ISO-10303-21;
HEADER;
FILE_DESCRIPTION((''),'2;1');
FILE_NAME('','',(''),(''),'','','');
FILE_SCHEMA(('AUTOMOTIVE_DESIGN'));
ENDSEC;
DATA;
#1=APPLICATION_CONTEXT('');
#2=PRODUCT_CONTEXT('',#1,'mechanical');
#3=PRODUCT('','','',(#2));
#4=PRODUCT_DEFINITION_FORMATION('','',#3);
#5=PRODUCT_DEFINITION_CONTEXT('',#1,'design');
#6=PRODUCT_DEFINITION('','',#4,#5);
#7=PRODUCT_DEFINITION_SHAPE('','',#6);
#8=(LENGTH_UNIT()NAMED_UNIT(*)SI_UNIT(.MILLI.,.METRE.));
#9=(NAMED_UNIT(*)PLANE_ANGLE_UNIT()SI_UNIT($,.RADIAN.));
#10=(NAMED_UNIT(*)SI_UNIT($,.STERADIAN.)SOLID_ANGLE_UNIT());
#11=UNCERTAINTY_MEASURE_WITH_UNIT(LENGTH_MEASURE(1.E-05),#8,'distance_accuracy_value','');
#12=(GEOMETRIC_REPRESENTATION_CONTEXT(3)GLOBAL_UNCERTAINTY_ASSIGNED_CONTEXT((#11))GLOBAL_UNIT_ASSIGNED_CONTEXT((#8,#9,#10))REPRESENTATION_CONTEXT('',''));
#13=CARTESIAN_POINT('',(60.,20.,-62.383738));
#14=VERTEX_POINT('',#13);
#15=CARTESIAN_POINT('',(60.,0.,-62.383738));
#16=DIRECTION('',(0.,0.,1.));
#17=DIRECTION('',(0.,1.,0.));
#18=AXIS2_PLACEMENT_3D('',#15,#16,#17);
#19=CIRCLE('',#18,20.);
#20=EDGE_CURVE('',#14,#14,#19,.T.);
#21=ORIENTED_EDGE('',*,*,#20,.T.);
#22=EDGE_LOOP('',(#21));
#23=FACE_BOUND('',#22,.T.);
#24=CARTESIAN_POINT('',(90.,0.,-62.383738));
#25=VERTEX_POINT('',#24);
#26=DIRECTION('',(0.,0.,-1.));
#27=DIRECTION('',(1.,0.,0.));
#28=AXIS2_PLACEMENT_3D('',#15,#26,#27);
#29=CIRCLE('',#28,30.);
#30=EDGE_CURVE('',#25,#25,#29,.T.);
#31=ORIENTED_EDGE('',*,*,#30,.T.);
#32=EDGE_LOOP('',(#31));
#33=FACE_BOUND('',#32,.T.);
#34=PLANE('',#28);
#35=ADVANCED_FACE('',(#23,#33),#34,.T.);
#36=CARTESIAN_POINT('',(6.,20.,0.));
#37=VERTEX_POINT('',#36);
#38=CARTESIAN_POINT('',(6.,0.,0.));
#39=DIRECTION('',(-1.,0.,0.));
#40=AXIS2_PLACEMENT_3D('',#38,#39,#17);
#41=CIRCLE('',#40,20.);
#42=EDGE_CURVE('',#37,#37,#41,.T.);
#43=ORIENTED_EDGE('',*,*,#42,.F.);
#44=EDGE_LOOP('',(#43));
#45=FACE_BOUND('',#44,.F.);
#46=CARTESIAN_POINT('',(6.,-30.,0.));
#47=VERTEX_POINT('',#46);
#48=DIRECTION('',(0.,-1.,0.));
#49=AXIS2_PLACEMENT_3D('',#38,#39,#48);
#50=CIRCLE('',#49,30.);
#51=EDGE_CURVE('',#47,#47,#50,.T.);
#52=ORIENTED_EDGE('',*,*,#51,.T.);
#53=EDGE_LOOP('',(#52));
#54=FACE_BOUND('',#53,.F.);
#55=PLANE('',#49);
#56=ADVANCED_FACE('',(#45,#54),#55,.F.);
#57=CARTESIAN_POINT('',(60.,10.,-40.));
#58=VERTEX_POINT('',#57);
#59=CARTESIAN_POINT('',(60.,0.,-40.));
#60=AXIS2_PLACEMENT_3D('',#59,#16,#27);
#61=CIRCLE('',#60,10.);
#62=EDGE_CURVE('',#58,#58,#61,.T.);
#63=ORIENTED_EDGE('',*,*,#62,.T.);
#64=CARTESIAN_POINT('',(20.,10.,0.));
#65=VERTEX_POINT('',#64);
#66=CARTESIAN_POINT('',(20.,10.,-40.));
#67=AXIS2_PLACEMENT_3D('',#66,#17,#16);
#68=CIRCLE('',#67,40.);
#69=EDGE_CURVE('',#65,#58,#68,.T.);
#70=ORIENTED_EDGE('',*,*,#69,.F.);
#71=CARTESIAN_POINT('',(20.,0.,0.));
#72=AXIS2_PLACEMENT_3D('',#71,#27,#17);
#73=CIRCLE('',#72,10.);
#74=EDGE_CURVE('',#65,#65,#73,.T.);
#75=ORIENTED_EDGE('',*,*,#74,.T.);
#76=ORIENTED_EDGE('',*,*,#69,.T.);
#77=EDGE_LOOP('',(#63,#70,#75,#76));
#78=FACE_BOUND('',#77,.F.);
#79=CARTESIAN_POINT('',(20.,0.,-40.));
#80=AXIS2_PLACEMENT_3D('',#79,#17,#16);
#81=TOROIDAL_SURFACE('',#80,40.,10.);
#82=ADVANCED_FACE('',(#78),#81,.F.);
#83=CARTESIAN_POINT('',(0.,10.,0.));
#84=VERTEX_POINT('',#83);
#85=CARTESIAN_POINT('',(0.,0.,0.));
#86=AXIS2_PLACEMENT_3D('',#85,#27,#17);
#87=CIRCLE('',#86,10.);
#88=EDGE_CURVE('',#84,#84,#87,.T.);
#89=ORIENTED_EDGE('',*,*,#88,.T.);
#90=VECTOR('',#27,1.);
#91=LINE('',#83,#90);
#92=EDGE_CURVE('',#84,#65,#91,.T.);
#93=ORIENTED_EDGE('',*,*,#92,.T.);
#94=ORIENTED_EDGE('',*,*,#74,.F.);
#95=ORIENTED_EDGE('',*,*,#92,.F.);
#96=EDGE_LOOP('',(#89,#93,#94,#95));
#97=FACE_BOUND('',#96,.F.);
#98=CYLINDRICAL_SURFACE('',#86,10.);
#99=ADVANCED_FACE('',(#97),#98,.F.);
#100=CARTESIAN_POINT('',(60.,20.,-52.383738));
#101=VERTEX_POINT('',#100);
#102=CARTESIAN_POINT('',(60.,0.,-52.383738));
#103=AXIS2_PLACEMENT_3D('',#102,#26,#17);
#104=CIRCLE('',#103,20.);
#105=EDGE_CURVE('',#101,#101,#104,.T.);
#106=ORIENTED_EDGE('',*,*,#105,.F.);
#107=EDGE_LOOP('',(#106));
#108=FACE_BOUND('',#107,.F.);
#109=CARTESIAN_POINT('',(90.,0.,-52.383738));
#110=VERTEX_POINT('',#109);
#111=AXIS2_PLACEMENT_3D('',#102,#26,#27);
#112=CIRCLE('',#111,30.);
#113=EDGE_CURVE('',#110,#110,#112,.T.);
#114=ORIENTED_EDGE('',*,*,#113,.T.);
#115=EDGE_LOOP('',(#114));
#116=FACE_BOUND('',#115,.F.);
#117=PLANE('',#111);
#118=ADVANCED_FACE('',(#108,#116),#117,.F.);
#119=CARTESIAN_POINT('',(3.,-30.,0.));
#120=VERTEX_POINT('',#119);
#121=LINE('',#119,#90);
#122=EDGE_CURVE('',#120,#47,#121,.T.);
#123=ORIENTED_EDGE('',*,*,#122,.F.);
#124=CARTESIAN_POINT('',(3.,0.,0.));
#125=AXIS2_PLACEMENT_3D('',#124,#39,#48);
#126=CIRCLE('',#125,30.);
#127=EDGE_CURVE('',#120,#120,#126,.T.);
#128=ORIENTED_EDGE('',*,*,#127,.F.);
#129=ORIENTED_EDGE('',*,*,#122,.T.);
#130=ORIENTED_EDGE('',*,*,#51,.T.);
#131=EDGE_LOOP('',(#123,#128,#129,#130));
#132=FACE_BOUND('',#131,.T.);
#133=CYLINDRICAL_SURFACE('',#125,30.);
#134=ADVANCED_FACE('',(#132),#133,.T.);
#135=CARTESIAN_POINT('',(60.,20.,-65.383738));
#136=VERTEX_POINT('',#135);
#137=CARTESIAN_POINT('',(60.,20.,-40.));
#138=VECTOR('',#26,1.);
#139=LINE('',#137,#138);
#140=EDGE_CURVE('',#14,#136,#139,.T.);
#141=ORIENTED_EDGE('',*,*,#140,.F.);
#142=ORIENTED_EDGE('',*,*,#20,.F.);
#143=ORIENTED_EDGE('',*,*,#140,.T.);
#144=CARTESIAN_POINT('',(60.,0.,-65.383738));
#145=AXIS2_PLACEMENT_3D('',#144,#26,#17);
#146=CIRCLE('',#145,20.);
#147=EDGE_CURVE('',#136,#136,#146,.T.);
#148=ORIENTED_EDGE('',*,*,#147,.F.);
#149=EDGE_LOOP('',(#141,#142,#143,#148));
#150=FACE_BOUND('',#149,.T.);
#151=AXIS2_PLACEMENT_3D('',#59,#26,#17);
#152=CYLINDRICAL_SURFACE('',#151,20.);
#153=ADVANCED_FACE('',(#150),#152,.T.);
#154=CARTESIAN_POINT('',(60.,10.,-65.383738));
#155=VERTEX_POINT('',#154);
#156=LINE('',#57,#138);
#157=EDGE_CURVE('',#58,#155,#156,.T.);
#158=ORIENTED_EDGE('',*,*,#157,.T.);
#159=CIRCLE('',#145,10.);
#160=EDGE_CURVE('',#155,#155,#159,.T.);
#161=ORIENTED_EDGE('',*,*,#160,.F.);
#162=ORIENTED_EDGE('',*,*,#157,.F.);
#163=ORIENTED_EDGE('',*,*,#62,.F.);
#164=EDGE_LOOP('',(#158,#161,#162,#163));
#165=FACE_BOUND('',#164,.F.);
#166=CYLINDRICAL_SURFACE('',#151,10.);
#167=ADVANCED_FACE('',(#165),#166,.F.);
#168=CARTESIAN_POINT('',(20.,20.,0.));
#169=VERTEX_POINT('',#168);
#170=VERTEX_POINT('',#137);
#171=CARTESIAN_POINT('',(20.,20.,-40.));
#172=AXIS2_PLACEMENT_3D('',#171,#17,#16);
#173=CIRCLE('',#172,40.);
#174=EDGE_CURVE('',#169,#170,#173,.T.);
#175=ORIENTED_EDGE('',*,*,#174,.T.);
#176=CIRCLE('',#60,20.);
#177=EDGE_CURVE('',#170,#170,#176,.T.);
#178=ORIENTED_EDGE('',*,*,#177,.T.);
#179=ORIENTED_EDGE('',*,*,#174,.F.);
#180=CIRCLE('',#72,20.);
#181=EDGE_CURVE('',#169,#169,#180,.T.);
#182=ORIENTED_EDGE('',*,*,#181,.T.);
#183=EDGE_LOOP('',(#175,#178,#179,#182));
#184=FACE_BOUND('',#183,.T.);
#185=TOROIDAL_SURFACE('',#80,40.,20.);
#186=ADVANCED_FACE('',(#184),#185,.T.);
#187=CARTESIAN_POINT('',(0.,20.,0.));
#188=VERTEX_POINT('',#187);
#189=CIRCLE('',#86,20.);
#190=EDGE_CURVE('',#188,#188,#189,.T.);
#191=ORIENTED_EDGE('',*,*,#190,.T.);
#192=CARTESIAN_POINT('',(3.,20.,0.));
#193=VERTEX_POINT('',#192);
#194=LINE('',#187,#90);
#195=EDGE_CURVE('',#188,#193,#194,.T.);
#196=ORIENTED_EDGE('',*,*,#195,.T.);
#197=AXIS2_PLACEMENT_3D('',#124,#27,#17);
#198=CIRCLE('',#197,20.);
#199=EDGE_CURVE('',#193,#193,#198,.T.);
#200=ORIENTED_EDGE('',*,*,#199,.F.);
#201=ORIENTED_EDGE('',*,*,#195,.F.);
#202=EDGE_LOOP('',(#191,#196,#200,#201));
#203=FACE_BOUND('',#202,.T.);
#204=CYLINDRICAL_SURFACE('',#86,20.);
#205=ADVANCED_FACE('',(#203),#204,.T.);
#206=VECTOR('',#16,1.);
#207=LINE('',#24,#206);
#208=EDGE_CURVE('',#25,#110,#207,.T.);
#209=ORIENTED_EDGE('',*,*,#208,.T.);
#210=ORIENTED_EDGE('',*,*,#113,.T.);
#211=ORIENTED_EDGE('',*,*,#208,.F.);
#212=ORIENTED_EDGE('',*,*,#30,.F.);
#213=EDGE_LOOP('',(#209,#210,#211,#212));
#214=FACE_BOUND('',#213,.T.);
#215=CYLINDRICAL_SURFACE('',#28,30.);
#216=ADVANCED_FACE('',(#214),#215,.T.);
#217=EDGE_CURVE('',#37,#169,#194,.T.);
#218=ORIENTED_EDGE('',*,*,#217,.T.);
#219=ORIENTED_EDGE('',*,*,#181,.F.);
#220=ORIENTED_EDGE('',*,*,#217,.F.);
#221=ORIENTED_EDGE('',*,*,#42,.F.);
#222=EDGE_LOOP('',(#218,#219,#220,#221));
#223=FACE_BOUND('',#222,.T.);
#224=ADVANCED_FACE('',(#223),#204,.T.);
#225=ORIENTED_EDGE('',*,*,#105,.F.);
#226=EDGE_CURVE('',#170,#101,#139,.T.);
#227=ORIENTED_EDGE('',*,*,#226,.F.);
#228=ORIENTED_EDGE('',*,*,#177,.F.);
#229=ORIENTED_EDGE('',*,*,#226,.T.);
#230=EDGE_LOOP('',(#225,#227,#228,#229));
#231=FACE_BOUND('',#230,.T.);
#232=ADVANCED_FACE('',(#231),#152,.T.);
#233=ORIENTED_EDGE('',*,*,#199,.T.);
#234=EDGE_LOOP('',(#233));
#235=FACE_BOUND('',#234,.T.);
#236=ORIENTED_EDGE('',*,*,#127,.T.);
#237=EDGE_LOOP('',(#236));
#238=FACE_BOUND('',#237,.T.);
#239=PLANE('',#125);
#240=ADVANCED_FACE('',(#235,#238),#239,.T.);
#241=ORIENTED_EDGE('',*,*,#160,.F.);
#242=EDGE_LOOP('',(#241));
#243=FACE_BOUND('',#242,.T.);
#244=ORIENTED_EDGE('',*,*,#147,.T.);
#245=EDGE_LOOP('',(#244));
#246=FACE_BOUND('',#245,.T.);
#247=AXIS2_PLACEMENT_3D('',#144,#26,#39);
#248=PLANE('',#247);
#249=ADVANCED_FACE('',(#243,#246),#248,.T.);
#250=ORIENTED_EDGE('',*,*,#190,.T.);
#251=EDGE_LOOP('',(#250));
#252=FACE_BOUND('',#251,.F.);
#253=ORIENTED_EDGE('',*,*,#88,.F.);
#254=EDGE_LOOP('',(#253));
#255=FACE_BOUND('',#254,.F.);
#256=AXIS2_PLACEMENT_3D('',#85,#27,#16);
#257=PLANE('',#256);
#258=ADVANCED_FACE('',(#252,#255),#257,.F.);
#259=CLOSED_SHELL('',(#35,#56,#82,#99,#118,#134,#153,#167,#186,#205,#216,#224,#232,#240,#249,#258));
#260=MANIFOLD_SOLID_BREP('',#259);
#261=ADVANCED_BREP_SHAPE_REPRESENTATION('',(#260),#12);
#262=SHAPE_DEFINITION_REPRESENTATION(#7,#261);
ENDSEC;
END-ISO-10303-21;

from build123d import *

# Parameters (mm, degrees)
F0_R     = 20
F0_R_2   = 10
F4_R     = 30
F4_R_2   = 20
F5_DEPTH = 3
F7_R     = 30
F7_R_2   = 20
F8_DEPTH = 10


with BuildPart() as f2:
    # F2: sweep along a path in F1
    with BuildLine(Plane.XZ) as f2_path:
        Line((0, 0), (20, 0))
        ThreePointArc((20, 0), (48.2842712475, -11.7157287525), (60, -40))
        Line((60, -40), (60, -65.3837376879))
    # F0 (on Right) → F2 (sweep)
    with BuildSketch(Plane.YZ):
        Circle(F0_R)
        Circle(F0_R_2, mode=Mode.SUBTRACT)
    sweep(path=f2_path.line)

    # F4 (on offset) → F5 (join)
    with BuildSketch(Plane(origin=(3, 0, 0), x_dir=(0, -1, 0), z_dir=(-1, 0, 0))):
        Circle(F4_R)
        Circle(F4_R_2, mode=Mode.SUBTRACT)
    extrude(amount=-F5_DEPTH)

    # F7 (on offset) → F8 (join)
    with BuildSketch(Plane(origin=(0, 0, -62.3837376879), x_dir=(1, 0, 0), z_dir=(0, 0, -1))):
        with Locations((60, 0)):
            Circle(F7_R)
        with Locations((60, 0)):
            Circle(F7_R_2, mode=Mode.SUBTRACT)
    extrude(amount=-F8_DEPTH)


solid = f2.part
